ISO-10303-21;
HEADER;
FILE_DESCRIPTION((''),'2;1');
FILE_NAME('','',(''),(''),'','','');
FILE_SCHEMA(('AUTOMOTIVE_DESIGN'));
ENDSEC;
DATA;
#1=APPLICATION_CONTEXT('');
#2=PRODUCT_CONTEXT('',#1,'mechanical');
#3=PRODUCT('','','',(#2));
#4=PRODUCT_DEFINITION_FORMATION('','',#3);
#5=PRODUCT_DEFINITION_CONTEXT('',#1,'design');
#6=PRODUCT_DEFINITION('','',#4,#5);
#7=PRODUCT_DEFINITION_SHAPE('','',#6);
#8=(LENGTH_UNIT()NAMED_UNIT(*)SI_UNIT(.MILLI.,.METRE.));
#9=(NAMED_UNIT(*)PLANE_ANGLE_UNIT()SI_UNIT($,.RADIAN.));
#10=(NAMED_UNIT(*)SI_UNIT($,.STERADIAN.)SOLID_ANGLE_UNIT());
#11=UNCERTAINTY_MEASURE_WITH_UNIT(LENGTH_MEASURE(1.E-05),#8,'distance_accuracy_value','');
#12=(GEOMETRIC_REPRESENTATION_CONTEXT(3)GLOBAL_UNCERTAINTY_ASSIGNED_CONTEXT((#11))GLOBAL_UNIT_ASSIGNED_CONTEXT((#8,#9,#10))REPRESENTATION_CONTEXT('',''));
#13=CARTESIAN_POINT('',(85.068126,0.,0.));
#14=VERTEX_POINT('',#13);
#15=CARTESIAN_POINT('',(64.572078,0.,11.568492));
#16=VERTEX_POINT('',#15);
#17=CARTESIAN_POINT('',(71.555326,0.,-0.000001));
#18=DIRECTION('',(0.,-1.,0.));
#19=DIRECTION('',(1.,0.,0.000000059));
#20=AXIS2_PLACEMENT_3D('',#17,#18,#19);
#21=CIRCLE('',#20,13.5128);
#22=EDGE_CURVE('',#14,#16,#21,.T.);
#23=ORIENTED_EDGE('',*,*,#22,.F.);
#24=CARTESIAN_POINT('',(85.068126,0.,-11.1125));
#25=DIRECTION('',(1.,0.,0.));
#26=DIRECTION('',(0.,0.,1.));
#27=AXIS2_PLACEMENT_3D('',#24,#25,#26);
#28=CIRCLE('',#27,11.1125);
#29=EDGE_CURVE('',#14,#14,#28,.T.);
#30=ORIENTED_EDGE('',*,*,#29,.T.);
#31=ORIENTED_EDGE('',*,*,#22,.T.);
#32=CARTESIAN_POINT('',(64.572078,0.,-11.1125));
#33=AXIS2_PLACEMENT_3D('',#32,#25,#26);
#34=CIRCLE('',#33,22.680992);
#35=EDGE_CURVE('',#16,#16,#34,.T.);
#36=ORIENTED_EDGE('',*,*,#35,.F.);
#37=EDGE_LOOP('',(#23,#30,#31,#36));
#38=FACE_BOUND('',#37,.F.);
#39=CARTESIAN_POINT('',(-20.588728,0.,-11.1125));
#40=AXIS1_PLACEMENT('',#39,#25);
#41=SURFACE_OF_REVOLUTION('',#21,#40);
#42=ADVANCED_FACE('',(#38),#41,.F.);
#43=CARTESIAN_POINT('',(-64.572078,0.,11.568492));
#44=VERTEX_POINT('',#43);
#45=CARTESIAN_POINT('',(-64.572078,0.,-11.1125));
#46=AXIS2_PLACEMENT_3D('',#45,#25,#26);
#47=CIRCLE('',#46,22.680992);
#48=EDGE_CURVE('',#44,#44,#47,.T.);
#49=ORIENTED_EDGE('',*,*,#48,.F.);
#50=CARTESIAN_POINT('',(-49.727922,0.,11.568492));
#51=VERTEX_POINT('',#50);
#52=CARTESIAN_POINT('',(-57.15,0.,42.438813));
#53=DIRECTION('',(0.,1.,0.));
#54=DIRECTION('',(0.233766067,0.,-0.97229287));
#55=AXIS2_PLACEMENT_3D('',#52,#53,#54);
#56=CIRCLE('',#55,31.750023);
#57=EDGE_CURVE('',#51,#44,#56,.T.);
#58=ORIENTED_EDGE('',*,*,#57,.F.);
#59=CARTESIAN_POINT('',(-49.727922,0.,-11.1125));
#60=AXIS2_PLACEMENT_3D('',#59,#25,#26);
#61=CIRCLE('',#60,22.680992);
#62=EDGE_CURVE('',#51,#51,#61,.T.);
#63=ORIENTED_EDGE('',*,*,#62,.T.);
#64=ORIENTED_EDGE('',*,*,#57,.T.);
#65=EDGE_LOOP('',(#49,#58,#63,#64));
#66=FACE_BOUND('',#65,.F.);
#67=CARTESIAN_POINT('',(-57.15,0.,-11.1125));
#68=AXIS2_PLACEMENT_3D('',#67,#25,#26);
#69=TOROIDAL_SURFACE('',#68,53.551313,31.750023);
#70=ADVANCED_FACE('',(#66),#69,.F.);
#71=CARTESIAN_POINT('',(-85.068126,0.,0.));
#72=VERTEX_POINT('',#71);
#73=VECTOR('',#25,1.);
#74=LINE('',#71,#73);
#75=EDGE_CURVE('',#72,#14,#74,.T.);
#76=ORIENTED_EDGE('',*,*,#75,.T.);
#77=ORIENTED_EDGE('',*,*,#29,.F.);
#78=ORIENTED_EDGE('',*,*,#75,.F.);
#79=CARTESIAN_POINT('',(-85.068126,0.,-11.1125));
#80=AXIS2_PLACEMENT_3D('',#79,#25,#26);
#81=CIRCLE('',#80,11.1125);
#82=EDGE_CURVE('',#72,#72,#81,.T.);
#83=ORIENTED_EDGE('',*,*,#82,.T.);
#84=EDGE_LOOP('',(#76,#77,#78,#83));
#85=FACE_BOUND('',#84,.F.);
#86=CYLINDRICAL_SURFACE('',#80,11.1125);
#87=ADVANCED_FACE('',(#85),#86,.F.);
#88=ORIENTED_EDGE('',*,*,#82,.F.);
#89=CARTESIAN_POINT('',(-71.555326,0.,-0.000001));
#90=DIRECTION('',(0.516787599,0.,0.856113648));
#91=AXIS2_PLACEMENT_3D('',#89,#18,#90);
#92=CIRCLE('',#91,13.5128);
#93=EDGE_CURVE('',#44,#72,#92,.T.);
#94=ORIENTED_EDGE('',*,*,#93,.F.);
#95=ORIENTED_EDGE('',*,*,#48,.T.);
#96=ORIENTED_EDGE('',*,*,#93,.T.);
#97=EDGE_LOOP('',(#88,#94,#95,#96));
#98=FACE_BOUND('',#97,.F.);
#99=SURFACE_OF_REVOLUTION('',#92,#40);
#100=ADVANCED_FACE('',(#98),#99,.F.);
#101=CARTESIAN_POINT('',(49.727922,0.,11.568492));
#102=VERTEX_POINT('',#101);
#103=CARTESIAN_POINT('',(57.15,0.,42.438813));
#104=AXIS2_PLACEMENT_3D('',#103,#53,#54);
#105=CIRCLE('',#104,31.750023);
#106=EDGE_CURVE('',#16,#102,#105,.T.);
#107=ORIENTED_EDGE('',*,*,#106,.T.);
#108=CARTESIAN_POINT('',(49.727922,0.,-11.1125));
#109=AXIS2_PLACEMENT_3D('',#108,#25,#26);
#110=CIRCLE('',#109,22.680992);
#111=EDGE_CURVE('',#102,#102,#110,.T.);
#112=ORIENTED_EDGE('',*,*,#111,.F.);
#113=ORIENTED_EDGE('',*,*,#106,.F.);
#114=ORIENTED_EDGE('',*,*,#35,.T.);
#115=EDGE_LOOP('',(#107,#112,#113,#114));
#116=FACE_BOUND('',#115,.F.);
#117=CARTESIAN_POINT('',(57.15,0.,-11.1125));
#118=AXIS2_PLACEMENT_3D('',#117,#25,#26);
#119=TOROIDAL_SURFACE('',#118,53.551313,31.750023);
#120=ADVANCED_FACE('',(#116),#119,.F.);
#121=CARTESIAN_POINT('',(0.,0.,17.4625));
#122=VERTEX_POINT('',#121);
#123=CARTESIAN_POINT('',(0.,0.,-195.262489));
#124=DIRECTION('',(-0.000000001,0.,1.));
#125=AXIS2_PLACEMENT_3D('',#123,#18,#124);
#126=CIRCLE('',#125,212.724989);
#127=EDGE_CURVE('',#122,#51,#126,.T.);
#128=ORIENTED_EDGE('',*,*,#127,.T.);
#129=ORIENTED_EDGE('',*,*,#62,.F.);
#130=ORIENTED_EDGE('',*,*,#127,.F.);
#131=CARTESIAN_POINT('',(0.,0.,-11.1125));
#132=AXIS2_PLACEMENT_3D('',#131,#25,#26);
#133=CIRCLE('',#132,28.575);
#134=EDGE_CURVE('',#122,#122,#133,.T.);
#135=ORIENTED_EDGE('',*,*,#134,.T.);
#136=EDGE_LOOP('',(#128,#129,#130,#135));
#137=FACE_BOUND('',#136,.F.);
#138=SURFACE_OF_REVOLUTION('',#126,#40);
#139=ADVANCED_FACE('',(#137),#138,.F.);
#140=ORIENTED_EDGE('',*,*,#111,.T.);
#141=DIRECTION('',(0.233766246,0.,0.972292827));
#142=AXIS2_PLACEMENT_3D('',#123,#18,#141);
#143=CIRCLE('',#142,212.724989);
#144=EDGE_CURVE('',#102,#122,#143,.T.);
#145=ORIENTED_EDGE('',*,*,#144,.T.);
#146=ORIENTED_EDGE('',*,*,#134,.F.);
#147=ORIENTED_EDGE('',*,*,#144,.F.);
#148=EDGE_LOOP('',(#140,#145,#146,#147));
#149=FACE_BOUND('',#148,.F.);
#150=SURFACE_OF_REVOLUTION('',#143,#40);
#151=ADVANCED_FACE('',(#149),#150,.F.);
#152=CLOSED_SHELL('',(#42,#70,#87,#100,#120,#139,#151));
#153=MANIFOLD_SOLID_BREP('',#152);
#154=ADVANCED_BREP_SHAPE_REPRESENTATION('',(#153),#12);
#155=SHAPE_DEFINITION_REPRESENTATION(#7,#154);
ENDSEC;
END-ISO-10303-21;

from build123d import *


with BuildPart() as f1:
    # F0 (on Front) → F1 (revolve)
    with BuildSketch(Plane.XZ):
        with BuildLine():
            ThreePointArc((0, 17.4625), (-25.037999, 15.983859), (-49.727922, 11.568492))
            ThreePointArc((-49.727922, 11.568492), (-57.15, 10.68879), (-64.572078, 11.568492))
            ThreePointArc((-64.572078, 11.568492), (-78.197333, 11.767731), (-85.068126, 0))
            Line((-85.068126, 0), (0, 0))
            Line((0, 0), (85.068126, 0))
            ThreePointArc((85.068126, 0), (78.197333, 11.767731), (64.572078, 11.568492))
            ThreePointArc((64.572078, 11.568492), (57.15, 10.68879), (49.727922, 11.568492))
            ThreePointArc((49.727922, 11.568492), (25.037999, 15.983859), (0, 17.4625))
        make_face()
    revolve(axis=Axis((-20.588728, 0, -11.1125), (1, 0, 0)))


solid = f1.part
